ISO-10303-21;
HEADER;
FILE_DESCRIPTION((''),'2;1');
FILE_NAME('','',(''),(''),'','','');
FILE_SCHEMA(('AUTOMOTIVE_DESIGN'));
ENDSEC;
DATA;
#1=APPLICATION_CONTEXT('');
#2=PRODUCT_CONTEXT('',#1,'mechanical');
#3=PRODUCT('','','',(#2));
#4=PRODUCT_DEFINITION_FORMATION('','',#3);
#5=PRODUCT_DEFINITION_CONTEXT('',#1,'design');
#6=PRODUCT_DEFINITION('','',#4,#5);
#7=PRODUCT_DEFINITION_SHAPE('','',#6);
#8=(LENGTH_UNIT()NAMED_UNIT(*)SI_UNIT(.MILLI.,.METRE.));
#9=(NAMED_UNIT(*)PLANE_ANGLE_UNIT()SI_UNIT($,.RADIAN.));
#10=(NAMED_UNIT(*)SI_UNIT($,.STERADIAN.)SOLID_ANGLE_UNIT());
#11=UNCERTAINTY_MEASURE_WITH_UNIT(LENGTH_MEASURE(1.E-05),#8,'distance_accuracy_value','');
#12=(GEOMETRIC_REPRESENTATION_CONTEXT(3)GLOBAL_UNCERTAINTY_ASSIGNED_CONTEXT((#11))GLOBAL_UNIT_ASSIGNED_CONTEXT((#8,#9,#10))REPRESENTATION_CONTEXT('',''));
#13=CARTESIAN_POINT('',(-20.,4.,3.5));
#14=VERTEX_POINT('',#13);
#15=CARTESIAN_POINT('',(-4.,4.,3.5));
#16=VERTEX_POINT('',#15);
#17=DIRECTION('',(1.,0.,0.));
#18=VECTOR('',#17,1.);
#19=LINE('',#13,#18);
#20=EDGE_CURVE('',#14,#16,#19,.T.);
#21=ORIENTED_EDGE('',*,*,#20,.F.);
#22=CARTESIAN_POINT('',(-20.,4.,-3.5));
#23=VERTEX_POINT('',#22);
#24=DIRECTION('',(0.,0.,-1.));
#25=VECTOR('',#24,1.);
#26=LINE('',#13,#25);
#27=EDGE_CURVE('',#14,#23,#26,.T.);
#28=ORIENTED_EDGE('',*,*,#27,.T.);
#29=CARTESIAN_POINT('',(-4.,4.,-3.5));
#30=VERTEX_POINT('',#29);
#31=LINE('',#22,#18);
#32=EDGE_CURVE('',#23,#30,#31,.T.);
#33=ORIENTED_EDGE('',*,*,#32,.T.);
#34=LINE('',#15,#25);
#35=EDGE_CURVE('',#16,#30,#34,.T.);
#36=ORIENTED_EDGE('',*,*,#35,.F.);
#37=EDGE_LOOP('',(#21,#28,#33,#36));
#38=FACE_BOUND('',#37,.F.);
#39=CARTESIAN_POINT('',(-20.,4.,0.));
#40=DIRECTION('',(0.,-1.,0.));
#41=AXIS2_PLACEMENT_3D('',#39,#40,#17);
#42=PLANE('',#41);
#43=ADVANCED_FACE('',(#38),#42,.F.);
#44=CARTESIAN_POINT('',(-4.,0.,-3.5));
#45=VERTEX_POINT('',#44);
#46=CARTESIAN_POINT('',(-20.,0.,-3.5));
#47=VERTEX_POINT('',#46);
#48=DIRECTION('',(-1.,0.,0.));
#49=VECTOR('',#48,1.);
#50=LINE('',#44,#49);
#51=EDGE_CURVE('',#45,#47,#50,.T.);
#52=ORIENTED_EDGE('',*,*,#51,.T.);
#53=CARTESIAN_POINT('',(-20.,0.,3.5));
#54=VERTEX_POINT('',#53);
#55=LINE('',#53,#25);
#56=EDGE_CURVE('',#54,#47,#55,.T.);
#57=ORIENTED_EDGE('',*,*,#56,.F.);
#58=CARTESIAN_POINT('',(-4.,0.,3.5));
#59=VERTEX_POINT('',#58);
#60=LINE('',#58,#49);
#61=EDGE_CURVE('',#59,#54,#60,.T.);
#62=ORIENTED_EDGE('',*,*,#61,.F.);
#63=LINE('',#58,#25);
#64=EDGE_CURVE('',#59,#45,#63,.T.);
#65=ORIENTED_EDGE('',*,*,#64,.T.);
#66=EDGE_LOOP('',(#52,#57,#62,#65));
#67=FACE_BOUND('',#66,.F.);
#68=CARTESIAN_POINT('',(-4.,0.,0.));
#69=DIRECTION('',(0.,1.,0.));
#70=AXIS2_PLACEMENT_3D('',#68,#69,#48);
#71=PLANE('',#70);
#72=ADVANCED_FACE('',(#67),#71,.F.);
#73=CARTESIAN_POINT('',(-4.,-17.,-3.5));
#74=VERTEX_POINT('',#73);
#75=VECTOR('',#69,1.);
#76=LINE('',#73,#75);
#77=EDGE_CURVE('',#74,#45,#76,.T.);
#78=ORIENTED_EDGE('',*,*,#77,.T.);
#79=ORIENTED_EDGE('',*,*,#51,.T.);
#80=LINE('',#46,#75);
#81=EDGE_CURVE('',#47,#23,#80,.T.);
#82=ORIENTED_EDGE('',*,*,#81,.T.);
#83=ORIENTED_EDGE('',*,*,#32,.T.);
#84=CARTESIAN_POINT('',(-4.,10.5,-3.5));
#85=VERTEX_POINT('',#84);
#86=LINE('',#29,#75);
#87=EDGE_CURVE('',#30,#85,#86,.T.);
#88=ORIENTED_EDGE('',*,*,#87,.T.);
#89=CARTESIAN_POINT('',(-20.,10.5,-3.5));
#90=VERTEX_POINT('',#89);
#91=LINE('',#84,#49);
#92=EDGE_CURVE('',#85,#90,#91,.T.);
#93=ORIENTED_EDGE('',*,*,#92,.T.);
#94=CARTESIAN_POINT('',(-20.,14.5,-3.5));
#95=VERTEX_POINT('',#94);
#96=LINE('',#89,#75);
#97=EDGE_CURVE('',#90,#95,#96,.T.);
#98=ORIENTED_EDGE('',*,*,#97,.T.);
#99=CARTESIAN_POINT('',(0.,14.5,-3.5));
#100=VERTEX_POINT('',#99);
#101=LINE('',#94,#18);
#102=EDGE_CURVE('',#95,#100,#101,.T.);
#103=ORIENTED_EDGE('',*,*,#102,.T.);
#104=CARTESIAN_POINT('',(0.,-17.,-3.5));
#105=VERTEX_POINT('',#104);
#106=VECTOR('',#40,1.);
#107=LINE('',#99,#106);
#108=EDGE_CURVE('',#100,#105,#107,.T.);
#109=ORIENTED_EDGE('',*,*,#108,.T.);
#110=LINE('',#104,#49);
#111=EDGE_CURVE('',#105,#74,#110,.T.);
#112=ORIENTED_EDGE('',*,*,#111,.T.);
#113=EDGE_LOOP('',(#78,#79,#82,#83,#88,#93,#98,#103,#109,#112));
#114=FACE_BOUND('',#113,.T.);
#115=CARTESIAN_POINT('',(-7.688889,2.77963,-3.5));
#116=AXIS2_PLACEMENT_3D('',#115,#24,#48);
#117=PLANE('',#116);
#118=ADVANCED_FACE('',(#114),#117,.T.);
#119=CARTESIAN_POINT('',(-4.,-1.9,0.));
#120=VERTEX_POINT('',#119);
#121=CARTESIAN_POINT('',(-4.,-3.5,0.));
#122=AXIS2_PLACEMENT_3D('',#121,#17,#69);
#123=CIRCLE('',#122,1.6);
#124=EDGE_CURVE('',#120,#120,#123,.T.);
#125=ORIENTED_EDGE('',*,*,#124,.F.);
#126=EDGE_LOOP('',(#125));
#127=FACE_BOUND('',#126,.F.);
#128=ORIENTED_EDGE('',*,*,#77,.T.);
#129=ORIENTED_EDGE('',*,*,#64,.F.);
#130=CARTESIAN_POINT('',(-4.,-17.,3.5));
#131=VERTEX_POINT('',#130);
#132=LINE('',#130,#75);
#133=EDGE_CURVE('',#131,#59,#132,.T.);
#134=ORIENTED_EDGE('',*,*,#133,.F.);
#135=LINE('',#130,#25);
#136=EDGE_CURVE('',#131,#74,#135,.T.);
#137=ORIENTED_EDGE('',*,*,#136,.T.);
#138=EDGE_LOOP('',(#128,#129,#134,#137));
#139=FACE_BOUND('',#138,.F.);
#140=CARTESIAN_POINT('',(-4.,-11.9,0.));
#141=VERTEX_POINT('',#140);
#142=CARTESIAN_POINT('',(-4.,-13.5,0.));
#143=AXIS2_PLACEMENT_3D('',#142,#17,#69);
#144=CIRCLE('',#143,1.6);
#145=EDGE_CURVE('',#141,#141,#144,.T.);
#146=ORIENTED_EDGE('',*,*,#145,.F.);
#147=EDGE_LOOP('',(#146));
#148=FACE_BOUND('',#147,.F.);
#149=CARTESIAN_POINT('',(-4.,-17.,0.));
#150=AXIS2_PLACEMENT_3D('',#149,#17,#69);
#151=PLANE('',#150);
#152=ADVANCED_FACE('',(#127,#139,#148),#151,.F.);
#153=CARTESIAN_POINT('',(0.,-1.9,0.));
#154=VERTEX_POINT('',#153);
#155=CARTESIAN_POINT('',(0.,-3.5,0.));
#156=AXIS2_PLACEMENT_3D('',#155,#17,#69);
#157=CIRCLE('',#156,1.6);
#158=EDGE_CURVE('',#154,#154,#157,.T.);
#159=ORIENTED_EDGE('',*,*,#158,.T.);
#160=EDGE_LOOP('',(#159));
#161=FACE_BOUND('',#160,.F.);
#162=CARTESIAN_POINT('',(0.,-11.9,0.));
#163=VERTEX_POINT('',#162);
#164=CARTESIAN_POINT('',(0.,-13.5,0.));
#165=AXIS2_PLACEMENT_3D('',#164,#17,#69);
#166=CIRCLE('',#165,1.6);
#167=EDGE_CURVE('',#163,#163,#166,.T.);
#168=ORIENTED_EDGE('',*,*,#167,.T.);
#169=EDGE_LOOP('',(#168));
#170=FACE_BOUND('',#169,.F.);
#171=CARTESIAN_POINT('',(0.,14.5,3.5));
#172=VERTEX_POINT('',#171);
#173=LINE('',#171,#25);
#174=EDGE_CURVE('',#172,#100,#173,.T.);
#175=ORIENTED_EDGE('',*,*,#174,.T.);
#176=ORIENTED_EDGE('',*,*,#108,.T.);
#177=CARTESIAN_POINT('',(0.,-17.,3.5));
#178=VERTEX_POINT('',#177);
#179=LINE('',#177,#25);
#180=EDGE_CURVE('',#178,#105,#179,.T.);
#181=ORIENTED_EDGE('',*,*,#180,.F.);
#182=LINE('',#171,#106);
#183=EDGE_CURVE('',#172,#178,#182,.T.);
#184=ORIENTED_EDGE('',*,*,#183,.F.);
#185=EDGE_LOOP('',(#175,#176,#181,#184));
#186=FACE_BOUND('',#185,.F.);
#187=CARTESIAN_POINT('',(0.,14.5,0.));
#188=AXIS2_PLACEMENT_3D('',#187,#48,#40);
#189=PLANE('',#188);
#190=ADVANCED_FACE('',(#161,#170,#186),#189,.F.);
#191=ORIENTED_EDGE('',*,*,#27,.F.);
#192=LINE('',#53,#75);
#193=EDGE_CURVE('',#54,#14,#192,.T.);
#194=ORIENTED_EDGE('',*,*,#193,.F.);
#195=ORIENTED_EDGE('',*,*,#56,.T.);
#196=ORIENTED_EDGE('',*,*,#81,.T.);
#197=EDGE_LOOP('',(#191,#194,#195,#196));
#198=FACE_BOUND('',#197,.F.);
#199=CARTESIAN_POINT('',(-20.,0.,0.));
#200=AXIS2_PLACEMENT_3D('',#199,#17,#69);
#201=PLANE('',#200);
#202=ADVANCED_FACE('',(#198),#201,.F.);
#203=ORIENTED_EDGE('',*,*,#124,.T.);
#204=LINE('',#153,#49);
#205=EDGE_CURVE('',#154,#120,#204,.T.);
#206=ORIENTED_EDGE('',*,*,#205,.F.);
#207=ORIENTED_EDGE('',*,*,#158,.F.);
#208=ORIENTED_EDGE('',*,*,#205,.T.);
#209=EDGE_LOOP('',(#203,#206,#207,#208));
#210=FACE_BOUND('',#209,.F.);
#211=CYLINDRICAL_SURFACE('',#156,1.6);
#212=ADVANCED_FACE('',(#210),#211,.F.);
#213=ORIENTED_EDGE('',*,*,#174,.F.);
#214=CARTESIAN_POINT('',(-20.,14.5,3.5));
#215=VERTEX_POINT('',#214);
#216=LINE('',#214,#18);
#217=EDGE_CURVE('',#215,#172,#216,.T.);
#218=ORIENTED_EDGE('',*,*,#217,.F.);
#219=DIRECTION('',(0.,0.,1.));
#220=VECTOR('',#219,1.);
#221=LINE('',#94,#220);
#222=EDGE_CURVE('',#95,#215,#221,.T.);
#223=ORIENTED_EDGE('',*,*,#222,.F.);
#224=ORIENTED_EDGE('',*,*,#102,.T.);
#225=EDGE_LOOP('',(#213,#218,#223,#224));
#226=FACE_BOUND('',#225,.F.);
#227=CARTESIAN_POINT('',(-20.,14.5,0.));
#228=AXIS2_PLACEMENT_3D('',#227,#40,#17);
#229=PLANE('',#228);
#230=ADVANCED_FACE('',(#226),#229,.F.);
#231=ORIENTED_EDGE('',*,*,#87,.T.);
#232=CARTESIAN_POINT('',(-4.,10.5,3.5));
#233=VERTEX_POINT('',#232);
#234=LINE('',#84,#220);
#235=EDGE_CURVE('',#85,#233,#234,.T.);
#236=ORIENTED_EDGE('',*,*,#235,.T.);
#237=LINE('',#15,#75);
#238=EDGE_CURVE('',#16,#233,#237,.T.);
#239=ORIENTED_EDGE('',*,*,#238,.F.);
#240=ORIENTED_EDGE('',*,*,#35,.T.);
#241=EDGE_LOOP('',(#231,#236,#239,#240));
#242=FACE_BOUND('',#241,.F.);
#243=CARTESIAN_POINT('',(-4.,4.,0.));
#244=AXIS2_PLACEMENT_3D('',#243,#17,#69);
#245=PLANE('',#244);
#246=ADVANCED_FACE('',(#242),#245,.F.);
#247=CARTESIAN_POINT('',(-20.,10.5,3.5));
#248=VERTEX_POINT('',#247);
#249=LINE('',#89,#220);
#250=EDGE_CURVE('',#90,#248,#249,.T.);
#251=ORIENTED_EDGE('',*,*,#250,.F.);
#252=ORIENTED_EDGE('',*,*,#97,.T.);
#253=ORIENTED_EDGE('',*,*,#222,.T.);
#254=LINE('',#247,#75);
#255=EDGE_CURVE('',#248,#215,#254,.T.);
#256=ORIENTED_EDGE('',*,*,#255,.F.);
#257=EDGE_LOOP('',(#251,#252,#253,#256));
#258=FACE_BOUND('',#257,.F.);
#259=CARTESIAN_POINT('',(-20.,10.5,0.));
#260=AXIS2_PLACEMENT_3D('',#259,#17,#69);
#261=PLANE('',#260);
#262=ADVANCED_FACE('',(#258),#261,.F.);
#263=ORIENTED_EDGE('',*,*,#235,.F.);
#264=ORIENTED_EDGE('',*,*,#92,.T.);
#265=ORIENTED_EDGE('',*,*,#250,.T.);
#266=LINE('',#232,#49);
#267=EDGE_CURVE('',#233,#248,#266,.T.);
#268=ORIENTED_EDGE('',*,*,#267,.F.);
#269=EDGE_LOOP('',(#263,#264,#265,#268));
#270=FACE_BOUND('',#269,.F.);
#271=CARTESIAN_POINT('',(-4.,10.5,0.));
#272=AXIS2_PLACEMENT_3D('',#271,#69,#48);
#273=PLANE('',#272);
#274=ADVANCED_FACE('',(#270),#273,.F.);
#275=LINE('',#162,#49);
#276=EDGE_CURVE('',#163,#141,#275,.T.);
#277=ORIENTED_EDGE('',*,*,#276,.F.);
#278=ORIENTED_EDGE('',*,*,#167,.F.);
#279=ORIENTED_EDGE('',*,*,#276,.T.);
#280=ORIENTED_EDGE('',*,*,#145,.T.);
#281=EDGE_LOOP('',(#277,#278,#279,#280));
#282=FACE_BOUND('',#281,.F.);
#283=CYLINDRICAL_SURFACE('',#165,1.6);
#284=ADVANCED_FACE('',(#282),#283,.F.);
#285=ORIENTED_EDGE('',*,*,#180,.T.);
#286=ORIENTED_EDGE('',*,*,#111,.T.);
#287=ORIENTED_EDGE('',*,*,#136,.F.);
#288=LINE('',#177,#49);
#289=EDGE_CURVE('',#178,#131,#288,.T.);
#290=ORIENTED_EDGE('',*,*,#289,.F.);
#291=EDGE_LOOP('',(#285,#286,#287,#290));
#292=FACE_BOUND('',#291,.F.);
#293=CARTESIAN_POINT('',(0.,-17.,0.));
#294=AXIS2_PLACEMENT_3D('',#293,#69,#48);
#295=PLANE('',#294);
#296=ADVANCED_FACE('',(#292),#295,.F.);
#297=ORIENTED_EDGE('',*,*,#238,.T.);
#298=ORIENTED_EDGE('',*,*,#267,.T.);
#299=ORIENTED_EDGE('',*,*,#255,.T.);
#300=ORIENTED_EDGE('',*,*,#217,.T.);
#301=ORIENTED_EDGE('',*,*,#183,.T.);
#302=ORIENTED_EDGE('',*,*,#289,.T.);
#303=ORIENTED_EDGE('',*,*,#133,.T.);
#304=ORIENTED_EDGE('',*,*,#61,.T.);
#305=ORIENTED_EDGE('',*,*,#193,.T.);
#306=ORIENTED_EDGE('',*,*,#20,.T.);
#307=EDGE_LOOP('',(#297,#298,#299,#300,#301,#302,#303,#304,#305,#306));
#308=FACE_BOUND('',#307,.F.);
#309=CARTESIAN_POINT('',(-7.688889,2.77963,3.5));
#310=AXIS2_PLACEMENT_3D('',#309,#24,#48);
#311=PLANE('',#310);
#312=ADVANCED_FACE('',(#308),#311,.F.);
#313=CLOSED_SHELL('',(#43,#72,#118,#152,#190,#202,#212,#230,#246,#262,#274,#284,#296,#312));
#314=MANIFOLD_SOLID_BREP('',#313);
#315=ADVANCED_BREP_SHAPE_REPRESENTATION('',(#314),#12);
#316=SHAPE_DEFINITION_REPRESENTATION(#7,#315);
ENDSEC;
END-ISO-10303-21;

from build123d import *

# Parameters (mm, degrees)
PAD_DEPTH    = 3.5
SKETCH001_R  = 1.6
POCKET_DEPTH = 20.001


with BuildPart() as part:
    # Sketch → Pad (new body, symmetric)
    with BuildSketch(Plane.XY):
        Polygon((-20, 14.5), (0, 14.5), (0, -17), (-4, -17), (-4, 0), (-20, 0), (-20, 4), (-4, 4), (-4, 10.5), (-20, 10.5), align=None)
    extrude(amount=PAD_DEPTH, both=True)

    # Sketch001 → Pocket (cut, through all)
    with BuildSketch(Plane.YZ):
        with Locations((-3.5, 0)):
            Circle(SKETCH001_R)
        with Locations((-13.5, 0)):
            Circle(SKETCH001_R)
    extrude(amount=-POCKET_DEPTH, mode=Mode.SUBTRACT)


solid = part.part
